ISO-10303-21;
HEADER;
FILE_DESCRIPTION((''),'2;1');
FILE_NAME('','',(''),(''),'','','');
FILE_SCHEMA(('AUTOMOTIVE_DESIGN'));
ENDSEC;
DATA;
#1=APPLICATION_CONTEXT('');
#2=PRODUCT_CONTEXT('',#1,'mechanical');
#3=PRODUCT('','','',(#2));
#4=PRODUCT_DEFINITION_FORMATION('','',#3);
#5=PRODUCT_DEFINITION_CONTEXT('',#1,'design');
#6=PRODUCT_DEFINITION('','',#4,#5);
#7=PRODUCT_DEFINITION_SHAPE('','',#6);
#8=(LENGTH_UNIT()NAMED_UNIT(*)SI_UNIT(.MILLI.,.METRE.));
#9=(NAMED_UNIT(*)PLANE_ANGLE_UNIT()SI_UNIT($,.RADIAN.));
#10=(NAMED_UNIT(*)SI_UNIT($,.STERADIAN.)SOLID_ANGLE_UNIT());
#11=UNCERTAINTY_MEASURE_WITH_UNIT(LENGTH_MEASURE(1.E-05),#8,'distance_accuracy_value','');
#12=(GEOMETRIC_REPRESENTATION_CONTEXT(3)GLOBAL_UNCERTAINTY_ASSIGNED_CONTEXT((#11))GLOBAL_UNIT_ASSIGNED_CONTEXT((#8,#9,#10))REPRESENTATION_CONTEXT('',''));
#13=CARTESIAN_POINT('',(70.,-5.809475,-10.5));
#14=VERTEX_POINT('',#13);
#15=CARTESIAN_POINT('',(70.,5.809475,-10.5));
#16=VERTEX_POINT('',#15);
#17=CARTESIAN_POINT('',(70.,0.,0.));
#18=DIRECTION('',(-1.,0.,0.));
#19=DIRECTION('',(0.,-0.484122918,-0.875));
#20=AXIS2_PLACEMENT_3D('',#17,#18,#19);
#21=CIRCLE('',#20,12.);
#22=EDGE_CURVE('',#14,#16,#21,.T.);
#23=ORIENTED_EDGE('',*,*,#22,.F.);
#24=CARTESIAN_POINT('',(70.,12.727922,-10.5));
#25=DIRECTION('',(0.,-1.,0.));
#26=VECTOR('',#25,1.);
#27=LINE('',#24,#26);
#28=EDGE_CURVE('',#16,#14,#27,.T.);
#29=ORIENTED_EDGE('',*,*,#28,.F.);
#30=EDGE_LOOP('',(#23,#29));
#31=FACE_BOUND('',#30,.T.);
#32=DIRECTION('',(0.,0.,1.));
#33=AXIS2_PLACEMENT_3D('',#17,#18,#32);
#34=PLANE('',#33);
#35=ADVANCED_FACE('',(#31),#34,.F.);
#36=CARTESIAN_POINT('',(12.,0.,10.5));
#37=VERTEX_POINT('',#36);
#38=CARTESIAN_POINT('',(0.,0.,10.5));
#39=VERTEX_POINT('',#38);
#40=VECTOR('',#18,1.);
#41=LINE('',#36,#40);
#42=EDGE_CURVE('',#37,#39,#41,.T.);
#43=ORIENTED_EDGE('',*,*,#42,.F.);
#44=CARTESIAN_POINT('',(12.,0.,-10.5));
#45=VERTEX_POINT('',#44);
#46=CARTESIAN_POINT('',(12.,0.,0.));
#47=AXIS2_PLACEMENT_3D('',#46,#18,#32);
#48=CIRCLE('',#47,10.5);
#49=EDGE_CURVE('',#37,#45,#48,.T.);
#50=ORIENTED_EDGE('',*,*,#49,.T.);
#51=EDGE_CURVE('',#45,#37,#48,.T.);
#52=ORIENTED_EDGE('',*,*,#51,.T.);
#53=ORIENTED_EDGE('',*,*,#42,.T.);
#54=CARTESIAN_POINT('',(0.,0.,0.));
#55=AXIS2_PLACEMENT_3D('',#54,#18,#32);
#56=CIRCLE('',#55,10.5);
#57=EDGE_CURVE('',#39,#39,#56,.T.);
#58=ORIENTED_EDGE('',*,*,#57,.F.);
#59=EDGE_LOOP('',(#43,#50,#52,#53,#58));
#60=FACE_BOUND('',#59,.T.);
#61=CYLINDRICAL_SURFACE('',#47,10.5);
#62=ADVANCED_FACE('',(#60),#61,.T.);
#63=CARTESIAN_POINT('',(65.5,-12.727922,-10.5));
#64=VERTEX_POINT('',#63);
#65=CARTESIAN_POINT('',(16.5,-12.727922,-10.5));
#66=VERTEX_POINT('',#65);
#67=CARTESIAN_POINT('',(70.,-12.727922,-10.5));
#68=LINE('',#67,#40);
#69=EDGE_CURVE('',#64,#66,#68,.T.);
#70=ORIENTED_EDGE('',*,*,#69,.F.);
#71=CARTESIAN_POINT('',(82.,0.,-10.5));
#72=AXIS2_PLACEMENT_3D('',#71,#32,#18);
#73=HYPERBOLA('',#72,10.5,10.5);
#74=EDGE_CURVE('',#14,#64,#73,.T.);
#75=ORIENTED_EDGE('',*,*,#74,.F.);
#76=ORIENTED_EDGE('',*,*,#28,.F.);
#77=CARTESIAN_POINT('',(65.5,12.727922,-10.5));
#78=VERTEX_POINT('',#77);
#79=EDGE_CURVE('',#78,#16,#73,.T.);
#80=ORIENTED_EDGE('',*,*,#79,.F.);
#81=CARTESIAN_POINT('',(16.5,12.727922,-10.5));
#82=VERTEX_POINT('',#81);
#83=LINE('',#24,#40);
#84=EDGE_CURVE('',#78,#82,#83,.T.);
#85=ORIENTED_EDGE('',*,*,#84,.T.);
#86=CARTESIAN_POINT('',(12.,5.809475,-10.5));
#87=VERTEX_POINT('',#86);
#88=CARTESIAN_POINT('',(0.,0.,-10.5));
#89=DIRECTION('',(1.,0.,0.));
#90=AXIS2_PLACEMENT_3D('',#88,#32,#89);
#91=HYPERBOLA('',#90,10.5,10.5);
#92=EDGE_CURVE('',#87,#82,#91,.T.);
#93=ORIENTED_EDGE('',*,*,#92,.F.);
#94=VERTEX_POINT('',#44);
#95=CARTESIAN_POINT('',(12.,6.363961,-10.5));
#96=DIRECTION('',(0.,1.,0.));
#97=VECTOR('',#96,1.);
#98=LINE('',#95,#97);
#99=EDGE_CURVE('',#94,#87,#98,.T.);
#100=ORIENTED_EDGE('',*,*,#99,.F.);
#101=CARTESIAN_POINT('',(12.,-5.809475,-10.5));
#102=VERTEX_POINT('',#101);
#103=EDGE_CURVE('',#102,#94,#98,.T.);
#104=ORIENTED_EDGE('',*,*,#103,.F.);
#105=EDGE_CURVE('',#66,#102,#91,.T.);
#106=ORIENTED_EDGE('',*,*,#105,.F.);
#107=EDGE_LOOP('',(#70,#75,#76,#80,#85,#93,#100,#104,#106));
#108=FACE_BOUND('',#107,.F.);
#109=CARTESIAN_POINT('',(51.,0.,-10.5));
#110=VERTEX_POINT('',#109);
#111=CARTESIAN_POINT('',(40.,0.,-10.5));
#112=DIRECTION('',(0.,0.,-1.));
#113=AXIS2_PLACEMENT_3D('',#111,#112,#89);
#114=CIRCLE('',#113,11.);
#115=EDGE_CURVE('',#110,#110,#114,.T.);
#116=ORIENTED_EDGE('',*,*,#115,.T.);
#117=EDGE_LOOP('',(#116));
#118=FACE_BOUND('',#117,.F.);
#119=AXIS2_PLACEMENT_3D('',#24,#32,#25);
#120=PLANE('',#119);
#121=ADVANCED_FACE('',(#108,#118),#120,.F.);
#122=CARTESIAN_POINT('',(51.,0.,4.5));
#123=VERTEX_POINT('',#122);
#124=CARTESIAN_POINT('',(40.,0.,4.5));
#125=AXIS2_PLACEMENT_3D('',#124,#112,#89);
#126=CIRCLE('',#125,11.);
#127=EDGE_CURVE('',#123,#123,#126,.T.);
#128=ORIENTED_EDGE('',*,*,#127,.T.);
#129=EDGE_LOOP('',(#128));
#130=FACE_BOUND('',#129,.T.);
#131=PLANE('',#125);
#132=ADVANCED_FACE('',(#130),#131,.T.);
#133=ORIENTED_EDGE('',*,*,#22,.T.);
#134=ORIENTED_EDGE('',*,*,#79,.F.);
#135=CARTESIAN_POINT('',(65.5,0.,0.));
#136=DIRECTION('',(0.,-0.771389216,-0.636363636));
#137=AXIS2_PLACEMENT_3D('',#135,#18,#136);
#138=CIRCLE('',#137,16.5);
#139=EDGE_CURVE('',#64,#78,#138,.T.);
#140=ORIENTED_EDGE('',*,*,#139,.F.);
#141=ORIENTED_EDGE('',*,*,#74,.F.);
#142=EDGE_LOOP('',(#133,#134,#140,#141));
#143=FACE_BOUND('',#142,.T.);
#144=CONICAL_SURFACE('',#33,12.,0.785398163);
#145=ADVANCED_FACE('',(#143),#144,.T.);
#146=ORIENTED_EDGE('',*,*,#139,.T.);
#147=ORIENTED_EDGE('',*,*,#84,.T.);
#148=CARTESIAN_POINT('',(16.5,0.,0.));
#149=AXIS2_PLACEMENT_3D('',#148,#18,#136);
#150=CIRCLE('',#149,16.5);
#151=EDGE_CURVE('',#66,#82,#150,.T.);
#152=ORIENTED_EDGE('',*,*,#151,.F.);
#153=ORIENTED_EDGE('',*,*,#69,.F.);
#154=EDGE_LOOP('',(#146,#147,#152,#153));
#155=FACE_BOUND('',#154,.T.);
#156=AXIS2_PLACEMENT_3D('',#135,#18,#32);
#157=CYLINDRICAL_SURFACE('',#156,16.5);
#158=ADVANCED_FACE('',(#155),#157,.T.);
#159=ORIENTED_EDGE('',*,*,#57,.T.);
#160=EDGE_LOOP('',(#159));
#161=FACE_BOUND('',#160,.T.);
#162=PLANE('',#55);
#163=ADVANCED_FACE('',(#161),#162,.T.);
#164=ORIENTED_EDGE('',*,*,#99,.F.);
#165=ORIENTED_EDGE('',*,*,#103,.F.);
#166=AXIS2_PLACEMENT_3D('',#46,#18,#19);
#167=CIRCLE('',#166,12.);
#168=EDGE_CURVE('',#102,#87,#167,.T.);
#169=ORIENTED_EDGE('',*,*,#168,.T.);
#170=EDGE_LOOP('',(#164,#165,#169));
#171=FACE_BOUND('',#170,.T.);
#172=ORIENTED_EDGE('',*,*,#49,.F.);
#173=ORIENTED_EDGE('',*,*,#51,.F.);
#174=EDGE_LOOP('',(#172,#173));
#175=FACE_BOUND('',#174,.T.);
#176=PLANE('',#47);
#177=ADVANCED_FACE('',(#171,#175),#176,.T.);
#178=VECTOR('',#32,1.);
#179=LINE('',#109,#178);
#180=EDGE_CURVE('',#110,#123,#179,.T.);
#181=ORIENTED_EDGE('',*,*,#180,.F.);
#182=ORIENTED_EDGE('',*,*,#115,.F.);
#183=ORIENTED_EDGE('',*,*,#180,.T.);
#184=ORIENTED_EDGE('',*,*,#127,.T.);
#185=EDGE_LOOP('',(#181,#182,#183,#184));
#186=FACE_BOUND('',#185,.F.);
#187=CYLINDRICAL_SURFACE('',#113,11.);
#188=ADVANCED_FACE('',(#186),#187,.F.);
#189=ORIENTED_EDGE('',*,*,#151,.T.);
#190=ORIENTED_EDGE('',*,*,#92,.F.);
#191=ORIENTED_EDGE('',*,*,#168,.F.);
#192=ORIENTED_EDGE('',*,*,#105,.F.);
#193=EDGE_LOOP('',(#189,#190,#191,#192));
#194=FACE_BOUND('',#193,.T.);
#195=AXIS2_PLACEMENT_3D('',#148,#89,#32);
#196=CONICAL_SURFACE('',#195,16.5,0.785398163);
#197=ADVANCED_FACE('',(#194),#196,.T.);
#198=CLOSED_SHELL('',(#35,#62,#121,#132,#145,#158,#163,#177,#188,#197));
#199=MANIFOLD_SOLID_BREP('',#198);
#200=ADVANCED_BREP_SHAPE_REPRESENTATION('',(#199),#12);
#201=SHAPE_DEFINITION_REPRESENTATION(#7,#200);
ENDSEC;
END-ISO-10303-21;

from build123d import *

# Parameters (mm, degrees)
F3_DEPTH = 73.8
F4_R     = 11
F5_DEPTH = 15


with BuildPart() as f1:
    # F0 (on Front) → F1 (revolve)
    with BuildSketch(Plane.XZ):
        Polygon((0, 10.5), (0, 0), (70, 0), (70, 12), (65.5, 16.5), (16.5, 16.5), (12, 12), (12, 10.5), align=None)
    revolve(axis=Axis((-7.5785342084, 0, 0), (-1, 0, 0)))

    # F2 (on face) → F3 (cut)
    with BuildSketch(Plane.YZ.offset(70)):
        with BuildLine():
            Line((-5.8094750193, -10.5), (-12.7279220614, -10.5))
            ThreePointArc((-12.7279220614, -10.5), (0, -16.5), (12.7279220614, -10.5))
            Line((12.7279220614, -10.5), (5.8094750193, -10.5))
            ThreePointArc((5.8094750193, -10.5), (0, -12), (-5.8094750193, -10.5))
        make_face()
        with BuildLine():
            Line((5.8094750193, -10.5), (-5.8094750193, -10.5))
            ThreePointArc((-5.8094750193, -10.5), (0, -12), (5.8094750193, -10.5))
        make_face()
    extrude(amount=-F3_DEPTH, mode=Mode.SUBTRACT)

    # F4 (on face) → F5 (cut)
    with BuildSketch(Plane(origin=(0, 0, -10.5), x_dir=(1, 0, 0), z_dir=(0, 0, -1))):
        with Locations((40, 0)):
            Circle(F4_R)
    extrude(amount=-F5_DEPTH, mode=Mode.SUBTRACT)


solid = f1.part
